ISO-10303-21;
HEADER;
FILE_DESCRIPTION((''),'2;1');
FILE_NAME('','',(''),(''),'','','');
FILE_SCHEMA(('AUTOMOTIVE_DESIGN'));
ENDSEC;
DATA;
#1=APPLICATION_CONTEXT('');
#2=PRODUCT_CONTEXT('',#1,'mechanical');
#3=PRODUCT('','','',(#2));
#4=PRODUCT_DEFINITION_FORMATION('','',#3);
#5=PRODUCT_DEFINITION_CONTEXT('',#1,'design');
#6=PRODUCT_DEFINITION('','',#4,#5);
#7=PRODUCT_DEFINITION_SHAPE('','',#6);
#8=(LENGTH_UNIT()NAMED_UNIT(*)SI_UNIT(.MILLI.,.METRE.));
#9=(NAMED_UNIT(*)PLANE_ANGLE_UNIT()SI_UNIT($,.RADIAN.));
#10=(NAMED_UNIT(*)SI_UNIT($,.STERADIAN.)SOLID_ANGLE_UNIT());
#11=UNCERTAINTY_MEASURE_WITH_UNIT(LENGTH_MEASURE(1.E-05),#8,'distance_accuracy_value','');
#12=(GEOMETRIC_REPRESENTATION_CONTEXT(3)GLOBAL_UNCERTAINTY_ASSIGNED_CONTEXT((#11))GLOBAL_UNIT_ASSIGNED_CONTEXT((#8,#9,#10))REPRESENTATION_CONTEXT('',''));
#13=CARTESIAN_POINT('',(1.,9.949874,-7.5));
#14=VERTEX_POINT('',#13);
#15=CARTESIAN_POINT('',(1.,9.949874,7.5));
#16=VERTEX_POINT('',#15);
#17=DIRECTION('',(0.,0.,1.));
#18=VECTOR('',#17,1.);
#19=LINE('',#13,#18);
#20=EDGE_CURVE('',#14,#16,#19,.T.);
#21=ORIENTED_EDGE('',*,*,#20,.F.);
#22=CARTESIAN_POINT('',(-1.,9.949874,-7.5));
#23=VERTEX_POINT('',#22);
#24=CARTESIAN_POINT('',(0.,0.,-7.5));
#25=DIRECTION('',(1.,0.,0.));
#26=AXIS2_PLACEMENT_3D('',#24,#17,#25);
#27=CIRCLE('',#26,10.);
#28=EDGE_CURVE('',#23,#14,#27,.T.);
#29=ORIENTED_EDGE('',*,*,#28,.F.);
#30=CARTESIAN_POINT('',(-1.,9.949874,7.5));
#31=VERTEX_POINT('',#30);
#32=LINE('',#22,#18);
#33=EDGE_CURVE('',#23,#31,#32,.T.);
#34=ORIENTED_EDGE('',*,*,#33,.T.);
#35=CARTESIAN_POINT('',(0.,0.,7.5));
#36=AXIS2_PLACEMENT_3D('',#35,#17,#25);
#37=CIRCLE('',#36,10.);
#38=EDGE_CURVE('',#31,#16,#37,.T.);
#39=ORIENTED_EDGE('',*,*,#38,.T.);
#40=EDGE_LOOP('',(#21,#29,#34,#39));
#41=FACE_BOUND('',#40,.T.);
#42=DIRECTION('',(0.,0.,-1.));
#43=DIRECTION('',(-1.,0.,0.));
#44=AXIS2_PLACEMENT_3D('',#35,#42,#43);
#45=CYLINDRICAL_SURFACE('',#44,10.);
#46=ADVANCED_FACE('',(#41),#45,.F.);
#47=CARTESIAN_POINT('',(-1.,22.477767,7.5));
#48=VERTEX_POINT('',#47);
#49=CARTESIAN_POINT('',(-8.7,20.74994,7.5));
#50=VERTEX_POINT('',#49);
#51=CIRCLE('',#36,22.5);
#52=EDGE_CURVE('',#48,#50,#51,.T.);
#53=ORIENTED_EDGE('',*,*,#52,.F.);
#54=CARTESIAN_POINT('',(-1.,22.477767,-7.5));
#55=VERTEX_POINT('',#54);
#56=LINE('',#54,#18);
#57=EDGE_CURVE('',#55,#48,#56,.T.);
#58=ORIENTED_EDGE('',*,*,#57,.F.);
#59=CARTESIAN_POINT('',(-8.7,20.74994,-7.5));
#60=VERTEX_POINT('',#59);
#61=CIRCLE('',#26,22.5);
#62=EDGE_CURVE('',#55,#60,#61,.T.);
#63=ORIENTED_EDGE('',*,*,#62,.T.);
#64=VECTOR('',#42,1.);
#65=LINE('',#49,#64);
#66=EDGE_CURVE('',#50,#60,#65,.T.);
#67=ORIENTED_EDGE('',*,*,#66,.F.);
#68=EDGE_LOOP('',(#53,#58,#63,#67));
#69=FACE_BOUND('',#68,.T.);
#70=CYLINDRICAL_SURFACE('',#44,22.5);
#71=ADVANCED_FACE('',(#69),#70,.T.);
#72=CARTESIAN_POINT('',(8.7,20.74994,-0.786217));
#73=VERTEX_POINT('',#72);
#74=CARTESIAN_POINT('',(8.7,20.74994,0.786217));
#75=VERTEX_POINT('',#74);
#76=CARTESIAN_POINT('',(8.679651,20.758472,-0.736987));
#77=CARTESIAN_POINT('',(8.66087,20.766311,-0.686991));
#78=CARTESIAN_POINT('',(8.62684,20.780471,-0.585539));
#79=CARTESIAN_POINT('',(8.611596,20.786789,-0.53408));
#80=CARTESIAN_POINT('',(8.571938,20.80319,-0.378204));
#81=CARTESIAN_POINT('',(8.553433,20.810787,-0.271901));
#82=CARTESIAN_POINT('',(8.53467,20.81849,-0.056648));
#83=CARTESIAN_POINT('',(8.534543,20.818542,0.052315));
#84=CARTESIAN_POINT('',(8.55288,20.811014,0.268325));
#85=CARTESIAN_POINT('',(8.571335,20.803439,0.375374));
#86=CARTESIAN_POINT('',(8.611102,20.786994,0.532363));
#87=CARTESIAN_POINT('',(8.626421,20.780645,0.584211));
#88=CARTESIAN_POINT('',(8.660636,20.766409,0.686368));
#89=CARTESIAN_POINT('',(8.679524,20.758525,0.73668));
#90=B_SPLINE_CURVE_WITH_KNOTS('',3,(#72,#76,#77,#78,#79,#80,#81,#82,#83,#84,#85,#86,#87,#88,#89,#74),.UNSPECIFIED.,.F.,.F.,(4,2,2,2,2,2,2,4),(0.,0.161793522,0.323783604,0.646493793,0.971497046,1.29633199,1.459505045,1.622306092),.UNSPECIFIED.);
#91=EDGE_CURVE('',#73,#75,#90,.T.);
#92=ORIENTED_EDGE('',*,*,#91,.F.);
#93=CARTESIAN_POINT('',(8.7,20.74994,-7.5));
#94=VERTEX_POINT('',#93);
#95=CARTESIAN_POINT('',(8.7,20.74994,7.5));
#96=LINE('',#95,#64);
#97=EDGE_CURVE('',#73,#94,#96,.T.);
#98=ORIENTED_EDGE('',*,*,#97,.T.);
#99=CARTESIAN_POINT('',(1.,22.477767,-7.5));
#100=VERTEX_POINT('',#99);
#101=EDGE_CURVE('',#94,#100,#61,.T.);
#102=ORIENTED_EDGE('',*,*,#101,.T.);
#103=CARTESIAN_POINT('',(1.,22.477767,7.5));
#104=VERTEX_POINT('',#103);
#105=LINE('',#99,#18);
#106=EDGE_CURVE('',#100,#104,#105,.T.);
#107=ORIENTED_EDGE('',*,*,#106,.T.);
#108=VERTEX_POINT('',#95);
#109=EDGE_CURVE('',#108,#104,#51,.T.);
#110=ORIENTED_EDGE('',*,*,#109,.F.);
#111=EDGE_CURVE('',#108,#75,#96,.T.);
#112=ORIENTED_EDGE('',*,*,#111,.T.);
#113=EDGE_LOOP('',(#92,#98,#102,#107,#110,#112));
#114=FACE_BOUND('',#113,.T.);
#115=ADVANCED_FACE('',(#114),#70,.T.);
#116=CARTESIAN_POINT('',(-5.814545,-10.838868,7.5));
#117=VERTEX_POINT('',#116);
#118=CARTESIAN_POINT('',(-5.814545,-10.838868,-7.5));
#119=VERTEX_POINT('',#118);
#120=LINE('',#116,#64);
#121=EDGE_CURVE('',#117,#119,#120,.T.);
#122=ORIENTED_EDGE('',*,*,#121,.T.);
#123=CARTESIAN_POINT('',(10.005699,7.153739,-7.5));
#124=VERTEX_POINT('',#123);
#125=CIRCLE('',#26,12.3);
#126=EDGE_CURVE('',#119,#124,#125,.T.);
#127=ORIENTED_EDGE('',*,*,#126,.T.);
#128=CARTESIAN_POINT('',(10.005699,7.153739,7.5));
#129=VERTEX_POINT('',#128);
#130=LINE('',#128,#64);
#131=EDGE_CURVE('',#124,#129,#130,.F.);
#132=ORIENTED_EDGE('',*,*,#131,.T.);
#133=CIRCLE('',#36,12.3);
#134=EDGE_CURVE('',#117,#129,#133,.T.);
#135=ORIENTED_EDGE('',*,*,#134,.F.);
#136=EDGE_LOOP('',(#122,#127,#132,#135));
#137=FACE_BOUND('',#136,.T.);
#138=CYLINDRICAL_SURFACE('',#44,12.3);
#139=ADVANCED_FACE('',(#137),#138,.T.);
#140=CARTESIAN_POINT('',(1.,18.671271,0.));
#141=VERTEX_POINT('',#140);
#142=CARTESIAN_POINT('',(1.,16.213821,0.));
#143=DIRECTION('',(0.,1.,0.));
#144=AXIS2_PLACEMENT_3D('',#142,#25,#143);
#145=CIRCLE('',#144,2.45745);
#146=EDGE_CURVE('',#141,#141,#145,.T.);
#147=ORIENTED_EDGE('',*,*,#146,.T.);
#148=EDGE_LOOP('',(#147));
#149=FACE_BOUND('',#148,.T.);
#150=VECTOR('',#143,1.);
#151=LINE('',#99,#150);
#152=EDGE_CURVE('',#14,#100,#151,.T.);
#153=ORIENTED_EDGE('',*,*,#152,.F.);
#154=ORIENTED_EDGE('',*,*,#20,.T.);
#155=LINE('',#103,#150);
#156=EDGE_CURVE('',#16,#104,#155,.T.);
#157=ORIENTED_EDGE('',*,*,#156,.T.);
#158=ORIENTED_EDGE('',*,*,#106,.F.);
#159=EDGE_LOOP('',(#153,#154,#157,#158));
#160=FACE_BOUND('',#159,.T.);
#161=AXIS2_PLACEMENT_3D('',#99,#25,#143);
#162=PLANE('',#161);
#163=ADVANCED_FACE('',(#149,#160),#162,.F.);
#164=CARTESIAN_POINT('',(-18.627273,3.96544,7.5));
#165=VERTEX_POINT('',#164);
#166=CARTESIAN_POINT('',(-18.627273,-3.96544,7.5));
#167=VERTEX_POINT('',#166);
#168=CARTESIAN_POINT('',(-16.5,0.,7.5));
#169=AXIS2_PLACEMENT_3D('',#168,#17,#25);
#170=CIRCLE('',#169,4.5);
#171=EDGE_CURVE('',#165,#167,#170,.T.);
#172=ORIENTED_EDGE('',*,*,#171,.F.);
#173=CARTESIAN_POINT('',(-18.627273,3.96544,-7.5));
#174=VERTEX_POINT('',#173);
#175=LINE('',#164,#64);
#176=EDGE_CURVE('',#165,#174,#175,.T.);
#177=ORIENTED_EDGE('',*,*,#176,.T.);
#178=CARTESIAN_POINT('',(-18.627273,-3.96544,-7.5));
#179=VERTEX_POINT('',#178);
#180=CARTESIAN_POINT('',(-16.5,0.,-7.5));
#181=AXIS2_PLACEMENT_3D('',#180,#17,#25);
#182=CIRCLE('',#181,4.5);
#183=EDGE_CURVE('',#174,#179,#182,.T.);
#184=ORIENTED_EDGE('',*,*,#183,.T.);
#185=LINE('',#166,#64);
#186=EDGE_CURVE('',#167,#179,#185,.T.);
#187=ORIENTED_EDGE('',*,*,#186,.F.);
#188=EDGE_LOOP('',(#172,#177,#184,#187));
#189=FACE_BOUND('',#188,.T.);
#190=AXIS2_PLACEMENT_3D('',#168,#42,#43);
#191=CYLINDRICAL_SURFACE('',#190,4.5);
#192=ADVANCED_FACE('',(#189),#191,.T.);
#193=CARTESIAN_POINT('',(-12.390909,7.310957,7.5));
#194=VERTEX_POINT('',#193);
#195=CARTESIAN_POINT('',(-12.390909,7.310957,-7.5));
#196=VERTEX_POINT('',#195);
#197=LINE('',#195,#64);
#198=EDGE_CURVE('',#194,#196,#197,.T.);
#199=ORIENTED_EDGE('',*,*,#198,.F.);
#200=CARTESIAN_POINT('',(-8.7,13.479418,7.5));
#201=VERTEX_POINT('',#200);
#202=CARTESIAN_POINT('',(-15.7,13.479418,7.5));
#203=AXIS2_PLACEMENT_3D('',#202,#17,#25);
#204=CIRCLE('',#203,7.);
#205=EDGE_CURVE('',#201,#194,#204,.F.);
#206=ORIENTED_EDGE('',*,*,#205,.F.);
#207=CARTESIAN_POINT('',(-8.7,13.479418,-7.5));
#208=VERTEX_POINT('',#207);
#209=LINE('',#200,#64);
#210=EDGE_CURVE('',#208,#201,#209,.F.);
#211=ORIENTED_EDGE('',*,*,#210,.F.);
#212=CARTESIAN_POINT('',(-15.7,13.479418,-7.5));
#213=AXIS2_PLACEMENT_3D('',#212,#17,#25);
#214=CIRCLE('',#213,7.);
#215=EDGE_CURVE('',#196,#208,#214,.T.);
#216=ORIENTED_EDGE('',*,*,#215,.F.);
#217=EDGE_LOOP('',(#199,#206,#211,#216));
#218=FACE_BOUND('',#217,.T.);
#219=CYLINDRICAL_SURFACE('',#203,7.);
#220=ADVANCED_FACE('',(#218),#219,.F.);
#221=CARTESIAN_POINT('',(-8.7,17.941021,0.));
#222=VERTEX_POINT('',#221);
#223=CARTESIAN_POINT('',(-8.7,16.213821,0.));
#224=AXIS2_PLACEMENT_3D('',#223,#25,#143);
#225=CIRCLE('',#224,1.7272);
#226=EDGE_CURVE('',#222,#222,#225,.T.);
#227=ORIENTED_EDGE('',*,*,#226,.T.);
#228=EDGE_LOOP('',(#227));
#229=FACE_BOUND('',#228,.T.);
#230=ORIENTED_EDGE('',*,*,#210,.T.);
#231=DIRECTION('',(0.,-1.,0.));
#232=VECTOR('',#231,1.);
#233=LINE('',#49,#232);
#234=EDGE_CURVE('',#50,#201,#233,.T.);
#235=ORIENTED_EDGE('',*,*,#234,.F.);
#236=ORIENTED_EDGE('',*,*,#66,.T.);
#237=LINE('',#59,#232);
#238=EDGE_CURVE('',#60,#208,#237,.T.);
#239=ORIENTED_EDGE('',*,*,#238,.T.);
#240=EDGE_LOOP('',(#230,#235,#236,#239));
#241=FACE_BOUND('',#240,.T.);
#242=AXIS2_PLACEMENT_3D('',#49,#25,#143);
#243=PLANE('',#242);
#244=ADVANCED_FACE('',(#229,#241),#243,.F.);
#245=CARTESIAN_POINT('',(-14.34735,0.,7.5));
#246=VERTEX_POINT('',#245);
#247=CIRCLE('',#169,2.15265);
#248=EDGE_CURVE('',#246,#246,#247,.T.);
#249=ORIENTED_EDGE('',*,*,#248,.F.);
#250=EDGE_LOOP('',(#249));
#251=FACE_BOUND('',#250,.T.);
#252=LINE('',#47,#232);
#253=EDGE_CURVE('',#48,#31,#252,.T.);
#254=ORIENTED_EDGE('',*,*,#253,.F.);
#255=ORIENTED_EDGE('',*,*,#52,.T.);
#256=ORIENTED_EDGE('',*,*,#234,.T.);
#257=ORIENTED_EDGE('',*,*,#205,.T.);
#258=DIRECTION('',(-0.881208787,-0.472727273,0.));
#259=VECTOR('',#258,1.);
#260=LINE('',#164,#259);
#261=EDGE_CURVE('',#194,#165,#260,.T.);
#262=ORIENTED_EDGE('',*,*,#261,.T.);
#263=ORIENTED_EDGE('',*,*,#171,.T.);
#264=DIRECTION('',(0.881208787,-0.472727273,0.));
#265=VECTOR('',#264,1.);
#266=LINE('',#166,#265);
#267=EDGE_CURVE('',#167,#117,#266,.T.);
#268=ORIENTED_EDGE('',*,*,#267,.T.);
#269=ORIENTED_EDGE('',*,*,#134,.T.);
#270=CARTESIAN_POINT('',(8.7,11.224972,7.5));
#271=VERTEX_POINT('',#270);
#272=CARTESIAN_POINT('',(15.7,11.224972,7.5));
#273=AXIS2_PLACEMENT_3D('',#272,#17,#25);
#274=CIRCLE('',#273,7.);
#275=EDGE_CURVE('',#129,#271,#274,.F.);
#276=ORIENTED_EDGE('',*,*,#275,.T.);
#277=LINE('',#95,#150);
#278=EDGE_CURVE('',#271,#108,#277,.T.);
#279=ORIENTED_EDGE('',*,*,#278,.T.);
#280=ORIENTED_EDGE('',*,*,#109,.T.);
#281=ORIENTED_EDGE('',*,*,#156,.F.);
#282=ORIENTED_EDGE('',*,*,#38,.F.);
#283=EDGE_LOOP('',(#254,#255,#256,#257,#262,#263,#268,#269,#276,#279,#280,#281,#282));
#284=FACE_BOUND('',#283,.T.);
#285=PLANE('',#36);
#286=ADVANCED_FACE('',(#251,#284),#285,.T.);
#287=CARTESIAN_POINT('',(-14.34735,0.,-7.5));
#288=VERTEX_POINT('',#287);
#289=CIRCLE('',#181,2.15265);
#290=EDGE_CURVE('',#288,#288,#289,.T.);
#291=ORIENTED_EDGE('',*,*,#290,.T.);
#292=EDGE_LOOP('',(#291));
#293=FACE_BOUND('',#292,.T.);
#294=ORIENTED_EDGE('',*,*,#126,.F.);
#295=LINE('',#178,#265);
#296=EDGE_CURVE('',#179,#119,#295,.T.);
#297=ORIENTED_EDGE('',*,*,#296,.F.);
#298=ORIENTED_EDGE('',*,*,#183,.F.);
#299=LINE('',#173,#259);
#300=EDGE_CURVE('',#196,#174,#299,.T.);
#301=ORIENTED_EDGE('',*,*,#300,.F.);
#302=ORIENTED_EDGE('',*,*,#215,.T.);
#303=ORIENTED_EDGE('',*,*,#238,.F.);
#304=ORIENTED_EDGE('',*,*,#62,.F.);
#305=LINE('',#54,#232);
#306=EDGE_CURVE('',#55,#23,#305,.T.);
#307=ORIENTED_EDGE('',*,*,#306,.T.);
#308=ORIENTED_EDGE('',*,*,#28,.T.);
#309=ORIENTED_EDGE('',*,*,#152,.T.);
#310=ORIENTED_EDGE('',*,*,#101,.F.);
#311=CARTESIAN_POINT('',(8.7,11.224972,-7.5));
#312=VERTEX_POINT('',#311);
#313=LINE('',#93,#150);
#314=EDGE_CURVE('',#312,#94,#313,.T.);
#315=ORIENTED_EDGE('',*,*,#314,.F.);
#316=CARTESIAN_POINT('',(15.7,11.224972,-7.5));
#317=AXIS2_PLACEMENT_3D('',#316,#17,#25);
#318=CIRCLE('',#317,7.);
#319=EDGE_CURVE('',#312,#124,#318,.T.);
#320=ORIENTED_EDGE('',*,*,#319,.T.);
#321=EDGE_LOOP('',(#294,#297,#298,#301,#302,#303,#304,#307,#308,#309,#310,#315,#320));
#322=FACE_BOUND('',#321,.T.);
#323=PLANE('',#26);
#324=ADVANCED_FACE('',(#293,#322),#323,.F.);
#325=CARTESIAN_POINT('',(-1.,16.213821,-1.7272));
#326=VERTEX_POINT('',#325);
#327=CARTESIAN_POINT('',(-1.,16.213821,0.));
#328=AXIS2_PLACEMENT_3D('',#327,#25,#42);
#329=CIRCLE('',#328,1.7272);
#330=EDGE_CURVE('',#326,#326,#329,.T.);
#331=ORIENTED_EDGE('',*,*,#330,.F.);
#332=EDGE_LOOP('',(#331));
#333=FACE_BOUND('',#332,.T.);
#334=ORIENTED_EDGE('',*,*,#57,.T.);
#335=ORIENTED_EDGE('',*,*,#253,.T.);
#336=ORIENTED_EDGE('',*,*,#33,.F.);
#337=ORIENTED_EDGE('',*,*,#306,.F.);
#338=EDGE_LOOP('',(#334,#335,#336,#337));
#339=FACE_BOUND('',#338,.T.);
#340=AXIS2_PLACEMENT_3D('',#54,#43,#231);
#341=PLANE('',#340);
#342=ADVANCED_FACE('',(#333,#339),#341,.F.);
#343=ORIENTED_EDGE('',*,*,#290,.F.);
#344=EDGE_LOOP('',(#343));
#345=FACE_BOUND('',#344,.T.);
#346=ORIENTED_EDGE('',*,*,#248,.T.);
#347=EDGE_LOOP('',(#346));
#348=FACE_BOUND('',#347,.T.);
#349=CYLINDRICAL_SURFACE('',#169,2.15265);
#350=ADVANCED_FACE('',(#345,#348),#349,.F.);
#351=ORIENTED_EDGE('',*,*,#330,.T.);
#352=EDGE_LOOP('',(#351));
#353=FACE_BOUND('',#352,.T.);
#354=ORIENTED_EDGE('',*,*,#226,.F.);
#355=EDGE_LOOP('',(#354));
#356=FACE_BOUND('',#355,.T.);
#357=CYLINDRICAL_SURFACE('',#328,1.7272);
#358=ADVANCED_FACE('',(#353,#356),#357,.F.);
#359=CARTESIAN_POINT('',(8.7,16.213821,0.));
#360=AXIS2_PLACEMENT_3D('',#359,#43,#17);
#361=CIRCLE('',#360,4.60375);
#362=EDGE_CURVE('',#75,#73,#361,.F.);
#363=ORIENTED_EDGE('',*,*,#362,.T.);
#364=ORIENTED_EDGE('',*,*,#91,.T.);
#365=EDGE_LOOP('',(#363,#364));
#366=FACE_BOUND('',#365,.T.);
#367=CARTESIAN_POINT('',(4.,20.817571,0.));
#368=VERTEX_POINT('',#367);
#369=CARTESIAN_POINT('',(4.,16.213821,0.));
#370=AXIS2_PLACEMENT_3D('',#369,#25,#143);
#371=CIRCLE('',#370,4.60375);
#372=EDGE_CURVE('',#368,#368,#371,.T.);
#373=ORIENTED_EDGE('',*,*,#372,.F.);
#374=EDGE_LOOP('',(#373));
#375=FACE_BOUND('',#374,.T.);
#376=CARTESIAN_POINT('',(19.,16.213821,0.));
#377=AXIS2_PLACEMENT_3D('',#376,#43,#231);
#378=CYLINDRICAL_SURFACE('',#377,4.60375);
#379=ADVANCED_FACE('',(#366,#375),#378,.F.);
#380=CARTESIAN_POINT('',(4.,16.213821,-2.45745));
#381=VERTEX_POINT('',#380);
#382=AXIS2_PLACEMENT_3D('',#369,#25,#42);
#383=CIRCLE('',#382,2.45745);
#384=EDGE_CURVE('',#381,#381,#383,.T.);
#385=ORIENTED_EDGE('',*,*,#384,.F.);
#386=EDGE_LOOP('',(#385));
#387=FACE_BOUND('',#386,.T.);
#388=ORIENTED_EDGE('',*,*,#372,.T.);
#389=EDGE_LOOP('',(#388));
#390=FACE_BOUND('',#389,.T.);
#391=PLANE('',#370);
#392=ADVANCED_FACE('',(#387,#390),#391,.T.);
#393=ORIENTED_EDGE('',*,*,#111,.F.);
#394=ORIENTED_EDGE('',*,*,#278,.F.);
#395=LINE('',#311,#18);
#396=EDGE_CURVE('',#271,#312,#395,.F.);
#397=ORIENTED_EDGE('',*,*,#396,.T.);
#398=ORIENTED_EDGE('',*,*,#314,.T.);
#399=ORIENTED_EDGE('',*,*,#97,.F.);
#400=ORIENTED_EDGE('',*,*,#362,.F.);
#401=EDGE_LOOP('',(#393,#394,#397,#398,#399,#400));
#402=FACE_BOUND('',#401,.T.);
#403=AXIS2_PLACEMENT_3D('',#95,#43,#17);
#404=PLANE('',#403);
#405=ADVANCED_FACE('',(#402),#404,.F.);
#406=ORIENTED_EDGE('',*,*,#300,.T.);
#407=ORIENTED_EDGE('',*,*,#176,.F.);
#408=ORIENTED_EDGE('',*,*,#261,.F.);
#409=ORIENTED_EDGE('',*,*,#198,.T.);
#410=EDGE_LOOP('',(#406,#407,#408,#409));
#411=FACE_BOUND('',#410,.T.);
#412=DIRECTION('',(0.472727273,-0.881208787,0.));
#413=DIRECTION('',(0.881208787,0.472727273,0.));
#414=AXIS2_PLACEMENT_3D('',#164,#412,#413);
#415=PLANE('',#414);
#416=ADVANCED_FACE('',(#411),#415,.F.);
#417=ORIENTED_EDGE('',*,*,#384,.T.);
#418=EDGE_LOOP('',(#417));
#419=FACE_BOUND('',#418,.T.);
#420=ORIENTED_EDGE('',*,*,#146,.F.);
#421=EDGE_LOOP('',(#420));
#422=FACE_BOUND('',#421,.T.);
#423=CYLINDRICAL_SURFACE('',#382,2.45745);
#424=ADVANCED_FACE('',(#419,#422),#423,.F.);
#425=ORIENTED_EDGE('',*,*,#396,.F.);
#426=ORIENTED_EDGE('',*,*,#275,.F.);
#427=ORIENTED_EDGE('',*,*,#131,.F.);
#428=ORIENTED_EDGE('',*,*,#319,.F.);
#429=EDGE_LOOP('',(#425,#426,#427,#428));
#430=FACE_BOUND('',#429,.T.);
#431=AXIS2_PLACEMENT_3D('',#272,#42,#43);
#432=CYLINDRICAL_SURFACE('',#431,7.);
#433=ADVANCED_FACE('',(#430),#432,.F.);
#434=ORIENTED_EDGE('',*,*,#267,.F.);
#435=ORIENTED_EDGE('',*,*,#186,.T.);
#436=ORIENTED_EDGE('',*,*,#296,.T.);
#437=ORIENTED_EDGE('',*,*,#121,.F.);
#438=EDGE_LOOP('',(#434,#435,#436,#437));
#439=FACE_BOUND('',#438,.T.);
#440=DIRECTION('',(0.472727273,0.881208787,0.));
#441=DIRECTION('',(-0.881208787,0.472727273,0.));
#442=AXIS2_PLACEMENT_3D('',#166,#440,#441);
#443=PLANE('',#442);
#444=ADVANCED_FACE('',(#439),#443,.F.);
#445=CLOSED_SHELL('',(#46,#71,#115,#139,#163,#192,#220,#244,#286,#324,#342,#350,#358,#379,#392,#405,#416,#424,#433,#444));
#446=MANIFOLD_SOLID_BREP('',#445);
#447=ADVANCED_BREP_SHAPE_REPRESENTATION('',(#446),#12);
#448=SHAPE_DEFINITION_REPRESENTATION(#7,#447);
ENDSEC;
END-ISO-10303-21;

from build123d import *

# Parameters (mm, degrees)
SKETCH1_R                 = 10
BOSS_EXTRUDE1_DEPTH       = 7.5
FILLET1_R                 = 7
CUT_EXTRUDE1_DEPTH        = 16
CUT_EXTRUDE2_START        = 3
SKETCH3_R                 = 4.60375
CUT_EXTRUDE2_DEPTH        = 15
F_8_CLEARANCE_HOLE1_D     = 4.9149
F_8_CLEARANCE_HOLE1_DEPTH = 3
F_8_32_TAPPED_HOLE1_D     = 3.4544
F_8_CLEARANCE_HOLE2_D     = 4.3053
F_8_CLEARANCE_HOLE2_DEPTH = 15


with BuildPart() as part:
    # Sketch1 → Boss-Extrude1 (new body, symmetric)
    with BuildSketch(Plane.XY):
        with BuildLine():
            Line((-8.7, 20.749939759), (-8.7, 9.290956753))
            Line((-8.7, 9.290956753), (-18.627272727, 3.96543954))
            ThreePointArc((-18.627272727, 3.96543954), (-21, 0), (-18.627272727, -3.96543954))
            Line((-18.627272727, -3.96543954), (-5.814545455, -10.838868075))
            ThreePointArc((-5.814545455, -10.838868075), (9.872829559, -7.336023207), (8.7, 8.694826048))
            Line((8.7, 8.694826048), (8.7, 20.749939759))
            ThreePointArc((8.7, 20.749939759), (0, 22.5), (-8.7, 20.749939759))
        make_face()
        Circle(SKETCH1_R, mode=Mode.SUBTRACT)
    extrude(amount=BOSS_EXTRUDE1_DEPTH, both=True)

    # Fillet1
    fillet1_edges = [part.edges().sort_by_distance(p)[0] for p in [
        (8.7, 8.694826048, 0),
        (-8.7, 9.290956753, 0),
    ]]
    fillet(fillet1_edges, radius=FILLET1_R)

    # Sketch2 → Cut-Extrude1 (cut, through all)
    with BuildSketch(Plane.XY.offset(7.5)):
        with BuildLine():
            Line((-1, 22.477766793), (-1, 9.949874371))
            ThreePointArc((-1, 9.949874371), (0, 10), (1, 9.949874371))
            Line((1, 9.949874371), (1, 22.477766793))
            ThreePointArc((1, 22.477766793), (0, 22.5), (-1, 22.477766793))
        make_face()
    extrude(amount=-CUT_EXTRUDE1_DEPTH, mode=Mode.SUBTRACT)

    # Sketch3 → Cut-Extrude2 (cut)
    with BuildSketch(Plane(origin=(1, 0, 0), x_dir=(0, 0, -1), z_dir=(1, 0, 0)).offset(CUT_EXTRUDE2_START)):
        with Locations(Location((0, 16.213820582, 0), (0, 0, 80.166973696))):  # turned: the seam where the file's is
            Circle(SKETCH3_R)
    extrude(amount=CUT_EXTRUDE2_DEPTH, mode=Mode.SUBTRACT)

    # #8 Clearance Hole1
    with Locations(Plane(origin=(4, 0, 0), x_dir=(0, 0, -1), z_dir=(1, 0, 0))):
        with Locations((0, 16.213820582)):
            Hole(F_8_CLEARANCE_HOLE1_D / 2, depth=F_8_CLEARANCE_HOLE1_DEPTH)

    # #8-32 Tapped Hole1 (through all)
    with Locations(Plane(origin=(-1, 1.097851263, -6.242435486), x_dir=(0, 0, 1), z_dir=(1, 0, 0))):
        with Locations((6.242435486, -15.115969319)):
            Hole(F_8_32_TAPPED_HOLE1_D / 2)

    # #8 Clearance Hole2
    with Locations(Plane.XY.offset(7.5)):
        with Locations((-16.5, 0)):
            Hole(F_8_CLEARANCE_HOLE2_D / 2, depth=F_8_CLEARANCE_HOLE2_DEPTH)


solid = part.part
